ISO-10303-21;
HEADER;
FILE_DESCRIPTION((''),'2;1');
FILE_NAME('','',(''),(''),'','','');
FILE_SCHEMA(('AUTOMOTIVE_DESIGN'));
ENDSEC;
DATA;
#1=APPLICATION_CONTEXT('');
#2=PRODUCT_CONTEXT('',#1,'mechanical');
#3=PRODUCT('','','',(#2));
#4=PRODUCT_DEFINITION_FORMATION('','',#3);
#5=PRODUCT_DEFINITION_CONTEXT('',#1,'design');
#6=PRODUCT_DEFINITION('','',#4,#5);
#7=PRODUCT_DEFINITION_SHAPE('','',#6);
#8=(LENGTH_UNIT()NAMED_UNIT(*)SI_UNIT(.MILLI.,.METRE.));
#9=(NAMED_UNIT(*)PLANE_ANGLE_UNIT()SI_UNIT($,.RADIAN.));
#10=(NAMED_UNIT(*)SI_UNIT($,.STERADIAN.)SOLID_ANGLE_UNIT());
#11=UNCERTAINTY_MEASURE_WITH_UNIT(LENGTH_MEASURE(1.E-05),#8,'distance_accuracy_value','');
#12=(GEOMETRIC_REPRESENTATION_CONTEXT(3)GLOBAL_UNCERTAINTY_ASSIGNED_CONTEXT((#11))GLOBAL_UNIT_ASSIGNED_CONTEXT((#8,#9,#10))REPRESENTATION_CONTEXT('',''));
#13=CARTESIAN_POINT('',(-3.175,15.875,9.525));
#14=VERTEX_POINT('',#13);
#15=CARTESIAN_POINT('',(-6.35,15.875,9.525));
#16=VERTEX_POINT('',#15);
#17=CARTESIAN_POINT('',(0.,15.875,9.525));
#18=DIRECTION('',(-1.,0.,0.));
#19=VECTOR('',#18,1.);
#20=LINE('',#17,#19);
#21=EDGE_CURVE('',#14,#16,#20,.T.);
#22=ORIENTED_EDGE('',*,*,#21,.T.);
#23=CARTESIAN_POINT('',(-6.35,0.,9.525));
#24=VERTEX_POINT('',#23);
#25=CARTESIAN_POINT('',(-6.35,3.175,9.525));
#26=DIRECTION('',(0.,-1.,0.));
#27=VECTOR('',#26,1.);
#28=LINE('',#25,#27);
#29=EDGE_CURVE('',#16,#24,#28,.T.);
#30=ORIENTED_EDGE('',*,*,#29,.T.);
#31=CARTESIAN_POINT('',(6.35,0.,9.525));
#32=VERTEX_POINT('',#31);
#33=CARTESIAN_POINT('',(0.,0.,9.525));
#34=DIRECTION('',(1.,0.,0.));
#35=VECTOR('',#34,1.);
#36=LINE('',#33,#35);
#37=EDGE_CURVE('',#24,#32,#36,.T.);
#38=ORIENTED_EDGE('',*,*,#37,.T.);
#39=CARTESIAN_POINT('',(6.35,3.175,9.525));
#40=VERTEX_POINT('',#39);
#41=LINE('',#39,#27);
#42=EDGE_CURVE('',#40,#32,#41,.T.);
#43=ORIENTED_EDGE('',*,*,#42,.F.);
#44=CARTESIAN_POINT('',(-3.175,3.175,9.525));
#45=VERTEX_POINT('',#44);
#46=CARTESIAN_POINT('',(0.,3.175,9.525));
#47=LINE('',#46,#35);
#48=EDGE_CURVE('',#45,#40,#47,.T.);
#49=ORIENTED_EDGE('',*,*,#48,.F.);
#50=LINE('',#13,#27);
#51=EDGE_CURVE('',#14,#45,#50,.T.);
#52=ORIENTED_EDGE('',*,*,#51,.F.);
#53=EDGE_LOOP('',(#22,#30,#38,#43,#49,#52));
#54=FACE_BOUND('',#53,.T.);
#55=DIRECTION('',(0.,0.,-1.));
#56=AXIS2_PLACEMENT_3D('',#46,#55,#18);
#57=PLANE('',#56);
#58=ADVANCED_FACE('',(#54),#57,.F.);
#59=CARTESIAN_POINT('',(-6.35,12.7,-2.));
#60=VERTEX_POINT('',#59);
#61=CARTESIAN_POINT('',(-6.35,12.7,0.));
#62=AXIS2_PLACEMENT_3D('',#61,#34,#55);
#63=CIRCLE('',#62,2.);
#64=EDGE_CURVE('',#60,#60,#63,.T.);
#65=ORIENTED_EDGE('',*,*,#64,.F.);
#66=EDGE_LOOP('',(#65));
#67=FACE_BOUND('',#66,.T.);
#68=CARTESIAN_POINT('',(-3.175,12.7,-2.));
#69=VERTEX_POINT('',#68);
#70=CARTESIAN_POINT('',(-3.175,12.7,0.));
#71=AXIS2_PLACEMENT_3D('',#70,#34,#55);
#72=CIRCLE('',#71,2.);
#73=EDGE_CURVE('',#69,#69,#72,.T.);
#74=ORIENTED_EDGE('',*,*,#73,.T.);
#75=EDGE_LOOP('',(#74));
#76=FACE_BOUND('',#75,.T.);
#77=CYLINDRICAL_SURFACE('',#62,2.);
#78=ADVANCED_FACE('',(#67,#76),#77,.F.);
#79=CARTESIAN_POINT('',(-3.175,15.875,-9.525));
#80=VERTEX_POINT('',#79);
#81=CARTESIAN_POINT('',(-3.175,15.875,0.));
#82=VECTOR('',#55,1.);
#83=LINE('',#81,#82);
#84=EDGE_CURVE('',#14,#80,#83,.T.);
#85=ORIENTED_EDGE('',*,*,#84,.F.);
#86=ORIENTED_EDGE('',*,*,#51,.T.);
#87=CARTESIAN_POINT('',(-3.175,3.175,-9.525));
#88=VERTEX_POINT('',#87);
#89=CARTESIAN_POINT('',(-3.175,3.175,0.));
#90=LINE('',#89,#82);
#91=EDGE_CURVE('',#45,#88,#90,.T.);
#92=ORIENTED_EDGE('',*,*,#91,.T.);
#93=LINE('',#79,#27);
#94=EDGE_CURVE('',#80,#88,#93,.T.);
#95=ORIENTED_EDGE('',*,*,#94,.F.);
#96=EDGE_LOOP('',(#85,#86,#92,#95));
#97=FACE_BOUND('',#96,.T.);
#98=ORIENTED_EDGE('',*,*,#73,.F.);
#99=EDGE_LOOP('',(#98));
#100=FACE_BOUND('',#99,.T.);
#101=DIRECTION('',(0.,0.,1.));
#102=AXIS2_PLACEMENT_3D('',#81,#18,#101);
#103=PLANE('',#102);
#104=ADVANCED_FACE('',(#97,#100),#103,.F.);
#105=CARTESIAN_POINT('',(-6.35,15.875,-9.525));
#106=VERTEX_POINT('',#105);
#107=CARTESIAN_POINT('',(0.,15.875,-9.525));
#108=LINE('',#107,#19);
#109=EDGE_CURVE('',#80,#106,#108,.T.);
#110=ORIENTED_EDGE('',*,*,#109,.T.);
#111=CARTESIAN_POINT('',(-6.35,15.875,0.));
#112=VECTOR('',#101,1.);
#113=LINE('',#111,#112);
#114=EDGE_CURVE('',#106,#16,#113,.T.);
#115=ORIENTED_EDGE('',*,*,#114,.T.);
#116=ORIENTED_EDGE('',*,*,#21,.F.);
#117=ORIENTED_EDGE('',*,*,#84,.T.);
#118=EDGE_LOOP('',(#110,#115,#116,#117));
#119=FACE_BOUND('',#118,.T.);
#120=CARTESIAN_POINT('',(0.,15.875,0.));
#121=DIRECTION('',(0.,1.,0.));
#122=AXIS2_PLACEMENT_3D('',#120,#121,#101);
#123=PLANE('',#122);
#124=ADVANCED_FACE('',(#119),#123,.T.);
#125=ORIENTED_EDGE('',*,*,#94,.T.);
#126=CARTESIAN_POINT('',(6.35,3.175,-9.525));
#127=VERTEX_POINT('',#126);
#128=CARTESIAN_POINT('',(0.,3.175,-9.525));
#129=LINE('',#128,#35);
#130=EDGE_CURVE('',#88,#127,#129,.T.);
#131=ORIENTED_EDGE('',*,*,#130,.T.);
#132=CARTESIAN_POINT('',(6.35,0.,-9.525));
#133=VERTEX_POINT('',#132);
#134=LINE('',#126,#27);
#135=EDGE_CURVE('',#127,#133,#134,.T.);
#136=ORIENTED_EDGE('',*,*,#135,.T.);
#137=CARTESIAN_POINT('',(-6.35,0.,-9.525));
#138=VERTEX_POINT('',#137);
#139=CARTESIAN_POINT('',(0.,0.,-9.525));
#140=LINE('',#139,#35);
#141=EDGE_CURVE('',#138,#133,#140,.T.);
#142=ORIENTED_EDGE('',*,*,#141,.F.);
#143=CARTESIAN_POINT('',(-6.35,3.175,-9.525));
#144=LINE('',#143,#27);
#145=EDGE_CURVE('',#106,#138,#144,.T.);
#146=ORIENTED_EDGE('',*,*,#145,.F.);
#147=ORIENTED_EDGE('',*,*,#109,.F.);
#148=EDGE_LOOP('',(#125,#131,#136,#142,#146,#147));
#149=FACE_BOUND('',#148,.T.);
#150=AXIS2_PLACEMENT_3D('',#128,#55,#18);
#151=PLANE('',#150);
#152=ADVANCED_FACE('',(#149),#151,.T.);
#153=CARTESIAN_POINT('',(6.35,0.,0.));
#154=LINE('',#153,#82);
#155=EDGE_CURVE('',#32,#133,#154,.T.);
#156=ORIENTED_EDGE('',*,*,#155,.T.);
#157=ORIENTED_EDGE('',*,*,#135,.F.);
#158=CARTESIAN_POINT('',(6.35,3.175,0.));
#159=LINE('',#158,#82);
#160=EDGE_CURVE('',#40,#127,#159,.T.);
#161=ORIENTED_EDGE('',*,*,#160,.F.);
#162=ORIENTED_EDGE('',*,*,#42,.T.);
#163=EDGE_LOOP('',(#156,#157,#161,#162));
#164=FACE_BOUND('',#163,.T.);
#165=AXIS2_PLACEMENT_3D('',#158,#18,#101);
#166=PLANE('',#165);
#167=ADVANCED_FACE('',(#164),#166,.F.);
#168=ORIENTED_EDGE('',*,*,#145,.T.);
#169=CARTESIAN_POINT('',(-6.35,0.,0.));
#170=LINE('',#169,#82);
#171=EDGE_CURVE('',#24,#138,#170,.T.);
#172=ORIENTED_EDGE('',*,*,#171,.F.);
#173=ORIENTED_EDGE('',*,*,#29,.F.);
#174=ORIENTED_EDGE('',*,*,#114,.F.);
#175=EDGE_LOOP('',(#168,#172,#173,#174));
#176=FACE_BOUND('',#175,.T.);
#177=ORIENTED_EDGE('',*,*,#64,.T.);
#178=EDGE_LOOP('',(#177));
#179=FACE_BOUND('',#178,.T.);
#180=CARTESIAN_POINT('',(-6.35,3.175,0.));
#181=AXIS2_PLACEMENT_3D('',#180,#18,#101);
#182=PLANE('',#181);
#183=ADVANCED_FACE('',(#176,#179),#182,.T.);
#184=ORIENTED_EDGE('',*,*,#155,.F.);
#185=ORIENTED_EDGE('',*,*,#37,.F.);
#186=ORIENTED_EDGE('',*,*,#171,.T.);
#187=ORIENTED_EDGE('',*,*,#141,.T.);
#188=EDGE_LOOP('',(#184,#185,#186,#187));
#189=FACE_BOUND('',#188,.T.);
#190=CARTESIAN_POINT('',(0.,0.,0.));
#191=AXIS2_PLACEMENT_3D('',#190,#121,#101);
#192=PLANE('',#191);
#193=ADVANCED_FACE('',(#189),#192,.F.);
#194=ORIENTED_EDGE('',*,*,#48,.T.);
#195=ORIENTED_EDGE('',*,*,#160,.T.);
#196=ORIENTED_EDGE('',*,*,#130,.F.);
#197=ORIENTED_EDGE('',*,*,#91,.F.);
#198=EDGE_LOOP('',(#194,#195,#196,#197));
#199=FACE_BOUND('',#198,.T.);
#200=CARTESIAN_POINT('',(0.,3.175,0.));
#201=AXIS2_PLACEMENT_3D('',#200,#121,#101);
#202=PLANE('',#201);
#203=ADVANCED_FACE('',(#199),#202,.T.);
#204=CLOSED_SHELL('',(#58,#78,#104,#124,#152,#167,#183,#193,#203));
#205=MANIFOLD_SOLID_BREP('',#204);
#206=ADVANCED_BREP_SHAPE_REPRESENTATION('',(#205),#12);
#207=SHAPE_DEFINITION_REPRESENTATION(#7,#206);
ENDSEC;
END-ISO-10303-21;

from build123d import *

# Parameters (mm, degrees)
SKETCH1_W           = 9.525
SKETCH1_H           = 19.05
SKETCH1_W_2         = 3.175
BOSS_EXTRUDE1_DEPTH = 3.175
BOSS_EXTRUDE2_START = 3.175
SKETCH1_3_W         = 3.175
SKETCH1_3_H         = 19.05
BOSS_EXTRUDE2_DEPTH = 12.7
SKETCH2_R           = 2
CUT_EXTRUDE1_DEPTH  = 21.819867315


with BuildPart() as part:
    # Sketch1 → Boss-Extrude1 (new body)
    with BuildSketch(Plane(origin=(0, 0, 0), x_dir=(1, 0, 0), z_dir=(0, 1, 0))):
        with Locations((1.5875, 0)):
            Rectangle(SKETCH1_W, SKETCH1_H)
        with Locations((-4.7625, 0)):
            Rectangle(SKETCH1_W_2, SKETCH1_H)
    extrude(amount=BOSS_EXTRUDE1_DEPTH)

    # Sketch1<3> → Boss-Extrude2 (add)
    with BuildSketch(Plane(origin=(0, 0, 0), x_dir=(1, 0, 0), z_dir=(0, 1, 0)).offset(BOSS_EXTRUDE2_START)):
        with Locations((-4.7625, 0)):
            Rectangle(SKETCH1_3_W, SKETCH1_3_H)
    extrude(amount=BOSS_EXTRUDE2_DEPTH)

    # Sketch2 → Cut-Extrude1 (cut, through all)
    with BuildSketch(Plane(origin=(-3.175, 0, 0), x_dir=(0, 0, -1), z_dir=(1, 0, 0))):
        with Locations((0, 12.7)):
            Circle(SKETCH2_R)
    extrude(amount=-CUT_EXTRUDE1_DEPTH, mode=Mode.SUBTRACT)


solid = part.part
